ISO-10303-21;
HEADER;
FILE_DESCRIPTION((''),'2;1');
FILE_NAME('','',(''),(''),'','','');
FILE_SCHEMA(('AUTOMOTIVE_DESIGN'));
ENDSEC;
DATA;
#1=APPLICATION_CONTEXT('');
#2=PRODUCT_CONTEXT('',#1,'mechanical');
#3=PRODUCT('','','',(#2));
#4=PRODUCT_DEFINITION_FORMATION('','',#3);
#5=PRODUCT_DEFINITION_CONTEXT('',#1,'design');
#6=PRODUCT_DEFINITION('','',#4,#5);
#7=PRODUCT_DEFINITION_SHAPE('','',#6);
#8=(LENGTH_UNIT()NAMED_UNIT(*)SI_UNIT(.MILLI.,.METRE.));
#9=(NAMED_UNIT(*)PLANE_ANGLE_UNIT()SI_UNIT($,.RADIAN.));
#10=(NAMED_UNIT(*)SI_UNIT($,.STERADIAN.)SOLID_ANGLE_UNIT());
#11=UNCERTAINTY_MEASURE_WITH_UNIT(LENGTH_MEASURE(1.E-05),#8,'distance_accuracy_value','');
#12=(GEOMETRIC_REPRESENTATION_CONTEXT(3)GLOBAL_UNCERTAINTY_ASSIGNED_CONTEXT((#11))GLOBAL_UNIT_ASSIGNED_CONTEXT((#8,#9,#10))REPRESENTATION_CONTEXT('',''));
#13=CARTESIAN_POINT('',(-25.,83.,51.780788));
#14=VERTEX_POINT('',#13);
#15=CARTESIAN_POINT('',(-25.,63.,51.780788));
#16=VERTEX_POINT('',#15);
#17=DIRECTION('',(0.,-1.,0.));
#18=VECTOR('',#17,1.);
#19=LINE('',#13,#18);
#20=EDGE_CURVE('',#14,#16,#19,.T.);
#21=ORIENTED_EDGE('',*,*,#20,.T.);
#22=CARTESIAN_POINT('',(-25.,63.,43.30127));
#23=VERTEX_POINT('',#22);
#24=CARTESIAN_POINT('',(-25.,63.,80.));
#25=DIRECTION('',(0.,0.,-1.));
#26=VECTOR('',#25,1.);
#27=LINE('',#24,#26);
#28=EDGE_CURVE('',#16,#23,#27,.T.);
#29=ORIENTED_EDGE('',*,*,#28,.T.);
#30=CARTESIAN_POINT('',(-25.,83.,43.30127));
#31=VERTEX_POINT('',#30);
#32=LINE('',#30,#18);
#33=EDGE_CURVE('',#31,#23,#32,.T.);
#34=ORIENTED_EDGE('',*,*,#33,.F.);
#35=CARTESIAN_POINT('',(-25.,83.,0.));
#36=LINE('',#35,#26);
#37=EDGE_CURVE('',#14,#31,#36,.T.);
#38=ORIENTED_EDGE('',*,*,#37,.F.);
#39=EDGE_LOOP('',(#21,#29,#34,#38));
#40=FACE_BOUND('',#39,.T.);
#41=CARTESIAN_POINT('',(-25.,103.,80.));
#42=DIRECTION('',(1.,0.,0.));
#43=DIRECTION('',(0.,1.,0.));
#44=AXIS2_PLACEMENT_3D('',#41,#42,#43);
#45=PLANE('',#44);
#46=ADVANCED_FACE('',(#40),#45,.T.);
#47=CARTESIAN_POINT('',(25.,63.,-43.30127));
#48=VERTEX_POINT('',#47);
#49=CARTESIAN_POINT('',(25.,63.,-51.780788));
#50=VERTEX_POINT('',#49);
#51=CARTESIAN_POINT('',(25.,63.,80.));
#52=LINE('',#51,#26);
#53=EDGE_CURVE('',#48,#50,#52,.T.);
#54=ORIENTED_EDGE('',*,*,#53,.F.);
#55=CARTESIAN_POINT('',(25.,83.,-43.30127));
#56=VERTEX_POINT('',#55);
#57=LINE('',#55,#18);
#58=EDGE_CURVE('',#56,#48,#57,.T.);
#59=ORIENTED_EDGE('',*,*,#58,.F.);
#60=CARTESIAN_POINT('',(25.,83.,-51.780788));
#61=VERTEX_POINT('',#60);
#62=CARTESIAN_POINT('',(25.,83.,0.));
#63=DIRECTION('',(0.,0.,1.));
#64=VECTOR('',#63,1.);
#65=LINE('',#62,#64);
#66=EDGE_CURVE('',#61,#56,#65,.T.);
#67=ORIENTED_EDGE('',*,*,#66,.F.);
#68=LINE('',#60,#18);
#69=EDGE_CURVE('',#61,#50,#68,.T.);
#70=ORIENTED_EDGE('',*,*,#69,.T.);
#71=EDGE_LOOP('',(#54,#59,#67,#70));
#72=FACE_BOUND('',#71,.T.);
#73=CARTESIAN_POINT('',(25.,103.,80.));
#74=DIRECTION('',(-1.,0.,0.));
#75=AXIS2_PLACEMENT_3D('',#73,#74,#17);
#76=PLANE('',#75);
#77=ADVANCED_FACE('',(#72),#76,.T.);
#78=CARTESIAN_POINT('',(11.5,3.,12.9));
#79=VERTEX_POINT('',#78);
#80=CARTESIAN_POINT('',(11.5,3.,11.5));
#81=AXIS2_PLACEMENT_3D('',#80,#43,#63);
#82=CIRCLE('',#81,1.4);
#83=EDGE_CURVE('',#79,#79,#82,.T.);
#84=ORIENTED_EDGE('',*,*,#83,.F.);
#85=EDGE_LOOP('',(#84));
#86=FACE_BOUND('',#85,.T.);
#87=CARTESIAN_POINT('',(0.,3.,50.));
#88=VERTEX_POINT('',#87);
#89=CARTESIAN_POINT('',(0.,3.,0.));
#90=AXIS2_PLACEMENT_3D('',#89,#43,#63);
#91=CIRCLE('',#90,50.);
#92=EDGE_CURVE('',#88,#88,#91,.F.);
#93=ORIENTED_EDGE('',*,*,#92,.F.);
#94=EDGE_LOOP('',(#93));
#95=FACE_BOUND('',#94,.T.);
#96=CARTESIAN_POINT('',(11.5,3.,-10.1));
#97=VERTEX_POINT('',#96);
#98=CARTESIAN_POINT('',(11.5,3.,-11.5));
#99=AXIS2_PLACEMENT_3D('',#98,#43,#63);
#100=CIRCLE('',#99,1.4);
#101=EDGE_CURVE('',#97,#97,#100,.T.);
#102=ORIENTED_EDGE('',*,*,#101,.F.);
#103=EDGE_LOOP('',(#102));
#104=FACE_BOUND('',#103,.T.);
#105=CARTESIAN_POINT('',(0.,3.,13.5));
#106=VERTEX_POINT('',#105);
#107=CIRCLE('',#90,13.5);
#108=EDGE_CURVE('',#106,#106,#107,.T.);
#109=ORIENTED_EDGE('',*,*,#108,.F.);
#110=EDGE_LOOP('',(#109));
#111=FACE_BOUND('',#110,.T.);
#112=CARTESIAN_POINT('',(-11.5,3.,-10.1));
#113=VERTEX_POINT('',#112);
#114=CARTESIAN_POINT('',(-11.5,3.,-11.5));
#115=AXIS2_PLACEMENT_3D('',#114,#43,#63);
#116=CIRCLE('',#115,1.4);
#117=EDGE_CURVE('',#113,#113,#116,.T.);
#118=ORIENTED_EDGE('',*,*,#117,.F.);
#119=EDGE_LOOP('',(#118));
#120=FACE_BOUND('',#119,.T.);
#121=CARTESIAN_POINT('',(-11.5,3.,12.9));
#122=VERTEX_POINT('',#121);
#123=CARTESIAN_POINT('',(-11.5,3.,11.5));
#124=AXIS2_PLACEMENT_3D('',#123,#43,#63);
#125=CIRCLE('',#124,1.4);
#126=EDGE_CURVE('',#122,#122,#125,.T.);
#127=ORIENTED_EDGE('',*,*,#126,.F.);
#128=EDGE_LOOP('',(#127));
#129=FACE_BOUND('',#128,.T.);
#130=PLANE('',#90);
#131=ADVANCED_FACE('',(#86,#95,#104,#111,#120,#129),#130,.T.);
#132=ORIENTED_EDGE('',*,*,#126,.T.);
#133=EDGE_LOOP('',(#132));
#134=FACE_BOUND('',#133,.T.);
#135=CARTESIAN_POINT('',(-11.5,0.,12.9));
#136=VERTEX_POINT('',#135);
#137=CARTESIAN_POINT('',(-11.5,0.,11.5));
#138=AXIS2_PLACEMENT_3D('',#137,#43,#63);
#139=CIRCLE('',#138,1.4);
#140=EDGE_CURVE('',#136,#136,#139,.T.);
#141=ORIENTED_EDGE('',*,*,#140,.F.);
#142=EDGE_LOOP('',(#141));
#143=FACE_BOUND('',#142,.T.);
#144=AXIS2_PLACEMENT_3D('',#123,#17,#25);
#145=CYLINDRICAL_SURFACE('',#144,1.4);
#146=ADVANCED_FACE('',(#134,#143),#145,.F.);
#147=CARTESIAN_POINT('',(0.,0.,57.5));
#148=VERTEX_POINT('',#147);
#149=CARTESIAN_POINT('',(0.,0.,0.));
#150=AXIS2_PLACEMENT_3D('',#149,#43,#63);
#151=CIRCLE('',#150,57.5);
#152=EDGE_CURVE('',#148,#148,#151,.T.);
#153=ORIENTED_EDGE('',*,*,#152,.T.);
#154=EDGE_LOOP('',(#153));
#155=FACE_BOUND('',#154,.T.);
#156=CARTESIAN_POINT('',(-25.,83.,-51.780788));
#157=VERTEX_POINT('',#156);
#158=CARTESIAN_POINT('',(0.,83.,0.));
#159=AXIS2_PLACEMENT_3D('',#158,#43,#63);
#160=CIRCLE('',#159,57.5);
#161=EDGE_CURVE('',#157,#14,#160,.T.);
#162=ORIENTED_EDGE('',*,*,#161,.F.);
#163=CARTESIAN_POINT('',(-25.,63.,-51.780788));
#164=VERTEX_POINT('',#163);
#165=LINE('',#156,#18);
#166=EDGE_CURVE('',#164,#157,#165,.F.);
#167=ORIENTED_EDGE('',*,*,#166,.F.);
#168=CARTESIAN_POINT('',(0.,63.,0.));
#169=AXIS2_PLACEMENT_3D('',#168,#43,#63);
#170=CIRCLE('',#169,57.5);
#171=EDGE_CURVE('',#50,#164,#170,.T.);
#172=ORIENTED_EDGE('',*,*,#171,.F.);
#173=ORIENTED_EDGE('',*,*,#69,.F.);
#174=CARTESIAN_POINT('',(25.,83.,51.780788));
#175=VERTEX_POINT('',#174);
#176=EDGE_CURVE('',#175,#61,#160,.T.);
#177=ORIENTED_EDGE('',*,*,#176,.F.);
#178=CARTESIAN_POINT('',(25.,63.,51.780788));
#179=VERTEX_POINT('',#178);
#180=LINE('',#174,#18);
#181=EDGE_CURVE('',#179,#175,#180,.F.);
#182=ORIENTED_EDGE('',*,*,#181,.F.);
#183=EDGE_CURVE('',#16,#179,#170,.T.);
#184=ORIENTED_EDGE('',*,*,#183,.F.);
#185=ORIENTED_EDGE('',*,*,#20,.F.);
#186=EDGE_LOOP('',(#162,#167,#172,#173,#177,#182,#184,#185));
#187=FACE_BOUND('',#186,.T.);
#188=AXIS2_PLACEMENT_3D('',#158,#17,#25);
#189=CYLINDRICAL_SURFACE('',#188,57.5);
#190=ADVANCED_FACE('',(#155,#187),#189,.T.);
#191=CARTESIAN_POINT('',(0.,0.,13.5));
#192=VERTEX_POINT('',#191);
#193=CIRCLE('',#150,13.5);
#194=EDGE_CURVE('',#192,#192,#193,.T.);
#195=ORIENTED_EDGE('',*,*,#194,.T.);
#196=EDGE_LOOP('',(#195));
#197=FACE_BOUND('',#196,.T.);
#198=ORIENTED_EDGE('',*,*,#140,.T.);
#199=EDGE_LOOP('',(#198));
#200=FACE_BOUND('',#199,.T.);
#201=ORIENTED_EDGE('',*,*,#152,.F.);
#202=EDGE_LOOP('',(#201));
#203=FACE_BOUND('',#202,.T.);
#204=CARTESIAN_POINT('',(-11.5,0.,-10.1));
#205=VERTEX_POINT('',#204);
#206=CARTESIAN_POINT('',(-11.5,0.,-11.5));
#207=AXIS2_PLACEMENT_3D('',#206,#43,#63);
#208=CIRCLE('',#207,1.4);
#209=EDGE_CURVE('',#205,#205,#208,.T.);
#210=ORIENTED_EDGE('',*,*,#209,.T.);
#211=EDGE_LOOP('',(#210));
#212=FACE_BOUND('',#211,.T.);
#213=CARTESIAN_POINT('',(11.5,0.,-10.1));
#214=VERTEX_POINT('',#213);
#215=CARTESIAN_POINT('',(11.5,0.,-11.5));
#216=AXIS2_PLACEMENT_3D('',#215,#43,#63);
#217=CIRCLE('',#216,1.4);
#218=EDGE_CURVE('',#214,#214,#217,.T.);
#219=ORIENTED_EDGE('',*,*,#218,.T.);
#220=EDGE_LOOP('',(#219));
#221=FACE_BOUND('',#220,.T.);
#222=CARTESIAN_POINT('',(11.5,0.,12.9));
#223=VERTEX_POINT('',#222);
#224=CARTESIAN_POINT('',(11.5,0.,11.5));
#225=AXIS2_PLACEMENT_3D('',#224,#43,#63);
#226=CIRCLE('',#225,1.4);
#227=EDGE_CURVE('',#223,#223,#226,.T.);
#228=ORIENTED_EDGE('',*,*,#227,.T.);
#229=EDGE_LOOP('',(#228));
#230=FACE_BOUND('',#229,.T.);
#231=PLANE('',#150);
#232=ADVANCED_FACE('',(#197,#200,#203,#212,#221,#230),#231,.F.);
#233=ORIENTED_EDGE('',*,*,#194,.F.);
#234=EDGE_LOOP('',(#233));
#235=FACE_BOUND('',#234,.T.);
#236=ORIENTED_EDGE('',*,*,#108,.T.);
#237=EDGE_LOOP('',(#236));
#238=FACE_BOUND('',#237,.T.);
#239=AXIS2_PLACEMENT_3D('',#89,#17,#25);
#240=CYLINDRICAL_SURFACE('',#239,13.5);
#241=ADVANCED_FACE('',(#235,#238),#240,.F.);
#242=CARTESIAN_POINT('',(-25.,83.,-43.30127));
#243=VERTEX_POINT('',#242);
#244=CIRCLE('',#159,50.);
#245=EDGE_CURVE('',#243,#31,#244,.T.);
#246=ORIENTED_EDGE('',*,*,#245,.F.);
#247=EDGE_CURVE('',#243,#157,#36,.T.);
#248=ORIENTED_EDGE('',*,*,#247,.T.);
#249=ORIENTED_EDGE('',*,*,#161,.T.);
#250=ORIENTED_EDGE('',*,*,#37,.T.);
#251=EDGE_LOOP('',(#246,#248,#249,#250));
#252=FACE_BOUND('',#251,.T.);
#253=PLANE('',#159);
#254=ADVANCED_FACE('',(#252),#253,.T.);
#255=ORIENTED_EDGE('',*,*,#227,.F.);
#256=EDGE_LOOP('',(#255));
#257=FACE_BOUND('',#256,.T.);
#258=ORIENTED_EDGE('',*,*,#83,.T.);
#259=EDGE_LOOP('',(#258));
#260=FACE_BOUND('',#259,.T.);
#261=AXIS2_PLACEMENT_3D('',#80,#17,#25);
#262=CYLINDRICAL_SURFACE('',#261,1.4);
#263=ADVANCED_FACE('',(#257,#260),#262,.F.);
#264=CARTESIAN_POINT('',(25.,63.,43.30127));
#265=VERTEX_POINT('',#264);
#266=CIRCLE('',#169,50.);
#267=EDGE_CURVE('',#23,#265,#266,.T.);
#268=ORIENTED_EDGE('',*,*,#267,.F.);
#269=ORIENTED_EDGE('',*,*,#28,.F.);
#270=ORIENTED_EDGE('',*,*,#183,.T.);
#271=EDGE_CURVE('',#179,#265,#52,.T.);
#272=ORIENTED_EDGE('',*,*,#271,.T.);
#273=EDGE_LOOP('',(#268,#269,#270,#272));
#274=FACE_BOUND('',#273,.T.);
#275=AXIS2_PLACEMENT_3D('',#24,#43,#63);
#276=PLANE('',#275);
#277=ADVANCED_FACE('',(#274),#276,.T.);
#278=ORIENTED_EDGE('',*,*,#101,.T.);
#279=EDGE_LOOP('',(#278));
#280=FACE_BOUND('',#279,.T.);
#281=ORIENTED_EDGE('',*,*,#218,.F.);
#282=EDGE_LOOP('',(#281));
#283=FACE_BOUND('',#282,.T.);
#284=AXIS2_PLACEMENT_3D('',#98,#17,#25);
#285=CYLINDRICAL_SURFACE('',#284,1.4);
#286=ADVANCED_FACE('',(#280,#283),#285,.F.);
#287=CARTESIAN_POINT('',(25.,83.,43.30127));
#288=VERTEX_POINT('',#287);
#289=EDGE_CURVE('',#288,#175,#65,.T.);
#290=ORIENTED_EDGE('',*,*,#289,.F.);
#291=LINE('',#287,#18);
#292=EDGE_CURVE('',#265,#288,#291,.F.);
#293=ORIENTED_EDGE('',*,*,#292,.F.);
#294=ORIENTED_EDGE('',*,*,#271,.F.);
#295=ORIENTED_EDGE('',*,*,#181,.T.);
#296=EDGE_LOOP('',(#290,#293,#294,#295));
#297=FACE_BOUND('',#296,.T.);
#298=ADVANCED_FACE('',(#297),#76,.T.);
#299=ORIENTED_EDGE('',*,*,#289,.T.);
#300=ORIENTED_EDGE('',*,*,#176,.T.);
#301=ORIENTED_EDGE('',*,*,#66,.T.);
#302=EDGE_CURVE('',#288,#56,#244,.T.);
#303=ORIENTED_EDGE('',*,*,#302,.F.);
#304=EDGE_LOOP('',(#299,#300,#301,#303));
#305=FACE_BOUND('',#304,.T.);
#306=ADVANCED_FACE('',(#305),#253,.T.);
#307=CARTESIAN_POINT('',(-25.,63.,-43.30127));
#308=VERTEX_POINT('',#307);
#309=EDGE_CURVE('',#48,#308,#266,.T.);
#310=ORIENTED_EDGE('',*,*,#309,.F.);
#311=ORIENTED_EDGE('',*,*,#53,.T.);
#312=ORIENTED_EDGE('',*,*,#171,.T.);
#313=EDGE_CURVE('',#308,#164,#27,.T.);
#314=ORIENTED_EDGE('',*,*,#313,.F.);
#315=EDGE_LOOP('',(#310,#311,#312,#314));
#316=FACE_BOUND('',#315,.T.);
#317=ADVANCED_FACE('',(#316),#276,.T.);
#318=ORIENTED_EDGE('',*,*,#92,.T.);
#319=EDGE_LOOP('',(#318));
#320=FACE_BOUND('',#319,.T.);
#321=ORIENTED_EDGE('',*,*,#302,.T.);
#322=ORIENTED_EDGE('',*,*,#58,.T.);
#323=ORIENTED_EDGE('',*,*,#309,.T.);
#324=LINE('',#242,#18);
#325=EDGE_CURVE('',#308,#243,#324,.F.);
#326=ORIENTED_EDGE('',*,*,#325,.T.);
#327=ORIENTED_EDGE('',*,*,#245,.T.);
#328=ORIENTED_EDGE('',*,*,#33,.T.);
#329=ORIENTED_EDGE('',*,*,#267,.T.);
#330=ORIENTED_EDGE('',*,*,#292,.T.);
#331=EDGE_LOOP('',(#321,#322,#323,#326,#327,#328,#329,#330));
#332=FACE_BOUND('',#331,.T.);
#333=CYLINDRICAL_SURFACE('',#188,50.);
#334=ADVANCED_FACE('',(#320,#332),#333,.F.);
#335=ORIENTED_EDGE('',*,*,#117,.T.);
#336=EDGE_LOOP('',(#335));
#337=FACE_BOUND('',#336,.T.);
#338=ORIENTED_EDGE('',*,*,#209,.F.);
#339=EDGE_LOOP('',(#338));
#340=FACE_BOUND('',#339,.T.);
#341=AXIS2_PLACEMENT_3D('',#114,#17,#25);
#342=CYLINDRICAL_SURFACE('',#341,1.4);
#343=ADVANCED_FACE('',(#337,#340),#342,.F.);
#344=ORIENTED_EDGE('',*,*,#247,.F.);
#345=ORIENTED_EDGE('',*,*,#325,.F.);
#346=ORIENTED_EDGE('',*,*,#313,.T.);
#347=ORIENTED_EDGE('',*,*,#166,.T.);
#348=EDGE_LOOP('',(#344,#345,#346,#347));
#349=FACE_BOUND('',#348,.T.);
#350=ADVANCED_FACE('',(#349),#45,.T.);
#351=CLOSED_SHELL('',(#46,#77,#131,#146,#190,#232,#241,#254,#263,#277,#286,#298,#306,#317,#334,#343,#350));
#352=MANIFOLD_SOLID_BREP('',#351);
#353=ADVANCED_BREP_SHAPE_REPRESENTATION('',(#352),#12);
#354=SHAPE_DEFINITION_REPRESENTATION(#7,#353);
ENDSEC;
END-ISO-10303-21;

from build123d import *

# Parameters (mm, degrees)
SKETCH_1_R               = 75
SKETCH_1_R_2             = 1.4
SKETCH_1_R_3             = 13.5
EXTRUDE_1_DEPTH          = 3
SKETCH_2_R               = 57.5
SKETCH_2_R_2             = 50
EXTRUDE_3_DEPTH          = 80
CUT_EXTRUDE_1_DEPTH      = 80
CUT_EXTRUDE_1_DEPTH_BACK = 80
SKETCH_4_W               = 50
SKETCH_4_H               = 40
CUT_EXTRUDE_START        = -80
SKETCH_5_R               = 75
SKETCH_5_R_2             = 57.5
CUT_EXTRUDE_2_DEPTH      = 80


with BuildPart() as part:
    # 草图1 → 凸台-拉伸1 (new body)
    with BuildSketch(Plane(origin=(0, 0, 0), x_dir=(1, 0, 0), z_dir=(0, 1, 0))):
        Circle(SKETCH_1_R)
        with Locations((11.5, 11.5)):
            Circle(SKETCH_1_R_2, mode=Mode.SUBTRACT)
        with Locations((-11.5, 11.5)):
            Circle(SKETCH_1_R_2, mode=Mode.SUBTRACT)
        with Locations((-11.5, -11.5)):
            Circle(SKETCH_1_R_2, mode=Mode.SUBTRACT)
        with Locations((11.5, -11.5)):
            Circle(SKETCH_1_R_2, mode=Mode.SUBTRACT)
        Circle(SKETCH_1_R_3, mode=Mode.SUBTRACT)
    extrude(amount=EXTRUDE_1_DEPTH)

    # 草图2 → 凸台-拉伸3 (add)
    with BuildSketch(Plane(origin=(0, 3, 0), x_dir=(1, 0, 0), z_dir=(0, 1, 0))):
        Circle(SKETCH_2_R)
        Circle(SKETCH_2_R_2, mode=Mode.SUBTRACT)
    extrude(amount=EXTRUDE_3_DEPTH)

    # 草图4 → 切除-拉伸1 (cut, two sides: drawn at the far end of the back side and taken through both)
    with BuildSketch(Plane.XY.offset(-CUT_EXTRUDE_1_DEPTH_BACK)):
        with Locations((0, 83)):
            Rectangle(SKETCH_4_W, SKETCH_4_H)
    extrude(amount=CUT_EXTRUDE_1_DEPTH + CUT_EXTRUDE_1_DEPTH_BACK, mode=Mode.SUBTRACT)

    # 草图5 → 切除-拉伸2 (cut)
    with BuildSketch(Plane(origin=(0, 3, 0), x_dir=(1, 0, 0), z_dir=(0, 1, 0)).offset(CUT_EXTRUDE_START)):
        Circle(SKETCH_5_R)
        Circle(SKETCH_5_R_2, mode=Mode.SUBTRACT)
    extrude(amount=CUT_EXTRUDE_2_DEPTH, mode=Mode.SUBTRACT)


solid = part.part
